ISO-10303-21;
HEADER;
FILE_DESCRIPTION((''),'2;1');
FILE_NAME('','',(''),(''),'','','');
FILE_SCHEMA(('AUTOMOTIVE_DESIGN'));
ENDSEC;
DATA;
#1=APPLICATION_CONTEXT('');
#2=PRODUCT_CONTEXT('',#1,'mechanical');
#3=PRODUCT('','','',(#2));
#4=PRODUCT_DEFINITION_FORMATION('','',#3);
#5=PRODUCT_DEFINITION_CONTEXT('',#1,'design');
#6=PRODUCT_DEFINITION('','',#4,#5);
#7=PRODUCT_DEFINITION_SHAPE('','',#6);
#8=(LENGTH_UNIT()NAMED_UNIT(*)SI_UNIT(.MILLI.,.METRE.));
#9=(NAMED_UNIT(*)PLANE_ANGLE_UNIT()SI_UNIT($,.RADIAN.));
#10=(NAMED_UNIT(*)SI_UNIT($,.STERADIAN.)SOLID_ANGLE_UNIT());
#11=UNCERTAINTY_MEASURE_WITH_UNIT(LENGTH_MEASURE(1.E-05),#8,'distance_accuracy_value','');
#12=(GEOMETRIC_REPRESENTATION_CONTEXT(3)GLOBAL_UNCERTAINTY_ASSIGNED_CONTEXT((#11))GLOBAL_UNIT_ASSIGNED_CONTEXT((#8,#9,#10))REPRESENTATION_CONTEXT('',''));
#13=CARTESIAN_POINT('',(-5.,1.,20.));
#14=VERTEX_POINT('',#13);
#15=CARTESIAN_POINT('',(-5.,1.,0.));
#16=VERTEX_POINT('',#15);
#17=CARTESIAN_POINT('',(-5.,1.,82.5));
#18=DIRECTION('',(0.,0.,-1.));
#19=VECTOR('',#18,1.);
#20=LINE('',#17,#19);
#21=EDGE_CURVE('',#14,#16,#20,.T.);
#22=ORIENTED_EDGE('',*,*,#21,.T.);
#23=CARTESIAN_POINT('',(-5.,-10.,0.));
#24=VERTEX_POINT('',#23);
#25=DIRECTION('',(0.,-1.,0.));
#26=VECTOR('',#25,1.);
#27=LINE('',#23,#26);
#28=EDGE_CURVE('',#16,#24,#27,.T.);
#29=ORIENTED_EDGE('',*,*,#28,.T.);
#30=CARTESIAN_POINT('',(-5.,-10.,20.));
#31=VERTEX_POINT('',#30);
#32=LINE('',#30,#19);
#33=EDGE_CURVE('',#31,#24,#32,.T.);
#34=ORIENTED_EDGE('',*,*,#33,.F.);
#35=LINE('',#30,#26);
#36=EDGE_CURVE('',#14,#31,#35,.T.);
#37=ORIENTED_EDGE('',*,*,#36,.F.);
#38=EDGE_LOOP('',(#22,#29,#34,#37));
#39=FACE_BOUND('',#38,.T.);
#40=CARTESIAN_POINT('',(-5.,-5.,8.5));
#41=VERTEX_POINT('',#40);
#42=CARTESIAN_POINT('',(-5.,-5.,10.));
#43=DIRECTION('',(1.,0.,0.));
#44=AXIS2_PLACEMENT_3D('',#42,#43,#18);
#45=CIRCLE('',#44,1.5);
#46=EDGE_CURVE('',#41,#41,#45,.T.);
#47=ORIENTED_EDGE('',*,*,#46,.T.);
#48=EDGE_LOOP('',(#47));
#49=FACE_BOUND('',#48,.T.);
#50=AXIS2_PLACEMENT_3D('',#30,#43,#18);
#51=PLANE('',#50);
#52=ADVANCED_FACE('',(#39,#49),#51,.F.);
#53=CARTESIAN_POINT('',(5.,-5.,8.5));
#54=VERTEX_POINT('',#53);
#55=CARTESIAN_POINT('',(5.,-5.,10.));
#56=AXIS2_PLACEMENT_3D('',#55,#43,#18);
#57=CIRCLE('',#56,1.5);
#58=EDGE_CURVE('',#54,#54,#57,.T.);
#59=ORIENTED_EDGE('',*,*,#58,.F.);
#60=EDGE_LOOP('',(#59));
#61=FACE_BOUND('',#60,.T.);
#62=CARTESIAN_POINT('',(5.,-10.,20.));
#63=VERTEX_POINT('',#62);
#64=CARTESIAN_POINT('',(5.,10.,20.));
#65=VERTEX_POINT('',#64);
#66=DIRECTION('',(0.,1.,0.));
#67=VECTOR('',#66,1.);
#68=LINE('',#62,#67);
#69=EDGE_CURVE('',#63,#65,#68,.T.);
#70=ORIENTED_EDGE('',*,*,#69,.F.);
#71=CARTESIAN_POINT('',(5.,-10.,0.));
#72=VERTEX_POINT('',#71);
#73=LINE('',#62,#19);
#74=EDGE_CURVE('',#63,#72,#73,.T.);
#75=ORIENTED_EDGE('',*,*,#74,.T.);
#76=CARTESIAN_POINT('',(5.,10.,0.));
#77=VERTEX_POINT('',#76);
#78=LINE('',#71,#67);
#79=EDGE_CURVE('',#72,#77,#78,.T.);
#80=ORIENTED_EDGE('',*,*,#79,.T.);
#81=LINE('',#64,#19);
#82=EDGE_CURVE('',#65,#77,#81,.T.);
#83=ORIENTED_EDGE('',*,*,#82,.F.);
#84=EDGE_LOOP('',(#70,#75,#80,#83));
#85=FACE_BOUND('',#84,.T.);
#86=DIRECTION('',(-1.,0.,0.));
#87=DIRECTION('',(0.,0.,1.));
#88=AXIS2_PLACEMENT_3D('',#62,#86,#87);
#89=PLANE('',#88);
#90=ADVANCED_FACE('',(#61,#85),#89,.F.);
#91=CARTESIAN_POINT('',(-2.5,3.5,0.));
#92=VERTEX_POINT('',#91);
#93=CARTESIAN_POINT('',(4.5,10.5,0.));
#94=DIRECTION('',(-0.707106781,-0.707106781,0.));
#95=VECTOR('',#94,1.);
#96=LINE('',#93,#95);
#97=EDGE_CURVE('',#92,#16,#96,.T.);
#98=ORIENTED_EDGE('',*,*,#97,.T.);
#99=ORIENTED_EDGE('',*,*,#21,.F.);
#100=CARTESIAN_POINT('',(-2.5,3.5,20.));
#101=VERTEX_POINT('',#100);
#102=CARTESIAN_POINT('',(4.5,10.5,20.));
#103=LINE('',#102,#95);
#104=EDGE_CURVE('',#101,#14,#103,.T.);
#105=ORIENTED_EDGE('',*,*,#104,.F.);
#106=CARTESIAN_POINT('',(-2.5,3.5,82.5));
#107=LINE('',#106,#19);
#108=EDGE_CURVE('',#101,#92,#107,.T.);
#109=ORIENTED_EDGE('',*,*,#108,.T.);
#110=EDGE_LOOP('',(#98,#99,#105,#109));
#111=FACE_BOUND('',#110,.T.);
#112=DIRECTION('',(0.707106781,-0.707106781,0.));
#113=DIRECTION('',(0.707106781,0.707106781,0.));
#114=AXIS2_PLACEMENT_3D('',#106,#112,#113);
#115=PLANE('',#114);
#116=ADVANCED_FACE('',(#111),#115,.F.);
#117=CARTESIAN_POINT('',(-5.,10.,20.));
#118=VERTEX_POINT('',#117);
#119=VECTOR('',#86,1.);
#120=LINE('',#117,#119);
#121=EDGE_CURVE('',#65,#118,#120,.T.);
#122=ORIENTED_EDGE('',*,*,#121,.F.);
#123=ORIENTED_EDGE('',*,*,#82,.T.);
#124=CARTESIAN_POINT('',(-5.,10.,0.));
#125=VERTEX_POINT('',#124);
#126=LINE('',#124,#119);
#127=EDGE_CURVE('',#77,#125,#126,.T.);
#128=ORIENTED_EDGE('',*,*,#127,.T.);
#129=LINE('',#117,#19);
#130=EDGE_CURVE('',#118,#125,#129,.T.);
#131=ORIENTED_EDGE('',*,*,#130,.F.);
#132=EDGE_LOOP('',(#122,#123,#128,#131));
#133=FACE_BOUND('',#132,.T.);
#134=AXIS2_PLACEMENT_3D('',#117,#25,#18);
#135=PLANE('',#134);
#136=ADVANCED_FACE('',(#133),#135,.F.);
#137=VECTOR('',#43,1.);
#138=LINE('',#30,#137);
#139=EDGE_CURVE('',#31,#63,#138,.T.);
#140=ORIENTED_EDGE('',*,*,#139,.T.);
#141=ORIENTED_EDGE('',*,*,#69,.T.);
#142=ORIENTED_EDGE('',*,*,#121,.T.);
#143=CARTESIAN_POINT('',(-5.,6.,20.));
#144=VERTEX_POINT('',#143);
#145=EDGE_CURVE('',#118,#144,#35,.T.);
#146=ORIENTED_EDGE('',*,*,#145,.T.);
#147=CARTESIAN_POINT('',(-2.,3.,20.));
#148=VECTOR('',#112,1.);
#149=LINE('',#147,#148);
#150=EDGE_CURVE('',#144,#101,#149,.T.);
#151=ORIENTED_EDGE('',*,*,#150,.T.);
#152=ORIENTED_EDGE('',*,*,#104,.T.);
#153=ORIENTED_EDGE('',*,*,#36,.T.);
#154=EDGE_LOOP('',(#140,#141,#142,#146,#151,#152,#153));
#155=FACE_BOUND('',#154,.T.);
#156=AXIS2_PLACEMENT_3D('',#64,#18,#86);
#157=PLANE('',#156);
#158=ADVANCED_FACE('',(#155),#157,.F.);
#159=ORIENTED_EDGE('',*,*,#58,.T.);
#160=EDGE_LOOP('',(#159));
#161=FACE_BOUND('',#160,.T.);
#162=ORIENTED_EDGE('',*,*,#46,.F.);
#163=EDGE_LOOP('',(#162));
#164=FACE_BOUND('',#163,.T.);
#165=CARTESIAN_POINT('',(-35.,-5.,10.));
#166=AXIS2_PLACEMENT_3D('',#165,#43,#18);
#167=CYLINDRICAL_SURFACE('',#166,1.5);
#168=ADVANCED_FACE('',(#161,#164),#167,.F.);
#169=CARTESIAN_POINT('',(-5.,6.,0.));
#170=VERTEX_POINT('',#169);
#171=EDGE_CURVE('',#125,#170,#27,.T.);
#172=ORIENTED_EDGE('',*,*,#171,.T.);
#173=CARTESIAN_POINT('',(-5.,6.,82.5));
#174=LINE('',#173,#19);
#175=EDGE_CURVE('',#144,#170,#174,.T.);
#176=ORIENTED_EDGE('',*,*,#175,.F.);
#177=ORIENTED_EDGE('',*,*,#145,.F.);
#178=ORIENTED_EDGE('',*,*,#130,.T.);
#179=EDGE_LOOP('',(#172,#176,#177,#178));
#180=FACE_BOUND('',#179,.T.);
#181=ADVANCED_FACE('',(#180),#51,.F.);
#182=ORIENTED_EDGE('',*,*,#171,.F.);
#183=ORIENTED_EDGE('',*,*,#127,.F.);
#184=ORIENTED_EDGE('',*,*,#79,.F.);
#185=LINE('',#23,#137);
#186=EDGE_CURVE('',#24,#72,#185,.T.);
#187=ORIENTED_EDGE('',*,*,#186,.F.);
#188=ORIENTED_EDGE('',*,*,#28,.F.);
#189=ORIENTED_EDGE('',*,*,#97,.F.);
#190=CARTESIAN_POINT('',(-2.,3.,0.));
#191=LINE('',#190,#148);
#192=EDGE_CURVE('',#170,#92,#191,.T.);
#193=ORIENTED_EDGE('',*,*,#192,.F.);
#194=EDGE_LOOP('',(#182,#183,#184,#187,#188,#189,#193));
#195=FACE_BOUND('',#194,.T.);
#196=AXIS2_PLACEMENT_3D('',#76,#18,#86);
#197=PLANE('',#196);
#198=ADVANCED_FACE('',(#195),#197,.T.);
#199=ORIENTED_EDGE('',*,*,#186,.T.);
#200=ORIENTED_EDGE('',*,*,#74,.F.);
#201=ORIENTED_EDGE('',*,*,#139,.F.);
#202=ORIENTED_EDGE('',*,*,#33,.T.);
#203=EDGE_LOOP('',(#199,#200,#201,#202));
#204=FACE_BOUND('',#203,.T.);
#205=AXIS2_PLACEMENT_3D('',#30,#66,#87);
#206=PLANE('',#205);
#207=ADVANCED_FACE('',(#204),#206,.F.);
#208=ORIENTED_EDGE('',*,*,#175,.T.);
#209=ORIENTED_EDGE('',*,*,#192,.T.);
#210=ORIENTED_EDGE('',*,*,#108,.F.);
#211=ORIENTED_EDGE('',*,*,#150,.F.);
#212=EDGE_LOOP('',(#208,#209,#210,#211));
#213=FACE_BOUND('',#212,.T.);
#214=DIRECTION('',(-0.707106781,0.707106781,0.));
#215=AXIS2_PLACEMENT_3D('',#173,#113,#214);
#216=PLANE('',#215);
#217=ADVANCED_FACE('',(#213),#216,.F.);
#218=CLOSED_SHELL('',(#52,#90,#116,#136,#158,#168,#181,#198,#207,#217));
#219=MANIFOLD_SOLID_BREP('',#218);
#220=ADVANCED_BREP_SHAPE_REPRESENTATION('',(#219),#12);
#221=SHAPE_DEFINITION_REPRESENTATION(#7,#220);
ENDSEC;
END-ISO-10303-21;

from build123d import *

# Parameters (mm, degrees)
ESQUISSE1_W           = 10
ESQUISSE1_H           = 20
EXTRUSION1_DEPTH      = 20
EXTRUSION2_DEPTH      = 23.912878475
EXTRUSION2_DEPTH_BACK = 23.912878475
ESQUISSE4_R           = 1.5
EXTRUSION3_DEPTH      = 40


with BuildPart() as part:
    # Esquisse1 → Extrusion1 (new body)
    with BuildSketch(Plane.XY):
        Rectangle(ESQUISSE1_W, ESQUISSE1_H)
    extrude(amount=EXTRUSION1_DEPTH)

    # Esquisse3 → Extrusion2 (cut, two sides: drawn at the far end of the back side and taken through both)
    with BuildSketch(Plane.XY.offset(20).offset(-EXTRUSION2_DEPTH_BACK)):
        Polygon((-38.75439594, 39.75439594), (-5, 6), (-2.5, 3.5), (-5, 1), (-38.75439594, -32.75439594), (-134.226244997, -32.75439594), (-134.226244997, 39.75439594), align=None)
    extrude(amount=EXTRUSION2_DEPTH + EXTRUSION2_DEPTH_BACK, mode=Mode.SUBTRACT)

    # Esquisse4 → Extrusion3 (cut)
    with BuildSketch(Plane(origin=(5, 0, 0), x_dir=(0, 0, -1), z_dir=(1, 0, 0))):
        with Locations((-10, -5)):
            Circle(ESQUISSE4_R)
    extrude(amount=-EXTRUSION3_DEPTH, mode=Mode.SUBTRACT)


solid = part.part
